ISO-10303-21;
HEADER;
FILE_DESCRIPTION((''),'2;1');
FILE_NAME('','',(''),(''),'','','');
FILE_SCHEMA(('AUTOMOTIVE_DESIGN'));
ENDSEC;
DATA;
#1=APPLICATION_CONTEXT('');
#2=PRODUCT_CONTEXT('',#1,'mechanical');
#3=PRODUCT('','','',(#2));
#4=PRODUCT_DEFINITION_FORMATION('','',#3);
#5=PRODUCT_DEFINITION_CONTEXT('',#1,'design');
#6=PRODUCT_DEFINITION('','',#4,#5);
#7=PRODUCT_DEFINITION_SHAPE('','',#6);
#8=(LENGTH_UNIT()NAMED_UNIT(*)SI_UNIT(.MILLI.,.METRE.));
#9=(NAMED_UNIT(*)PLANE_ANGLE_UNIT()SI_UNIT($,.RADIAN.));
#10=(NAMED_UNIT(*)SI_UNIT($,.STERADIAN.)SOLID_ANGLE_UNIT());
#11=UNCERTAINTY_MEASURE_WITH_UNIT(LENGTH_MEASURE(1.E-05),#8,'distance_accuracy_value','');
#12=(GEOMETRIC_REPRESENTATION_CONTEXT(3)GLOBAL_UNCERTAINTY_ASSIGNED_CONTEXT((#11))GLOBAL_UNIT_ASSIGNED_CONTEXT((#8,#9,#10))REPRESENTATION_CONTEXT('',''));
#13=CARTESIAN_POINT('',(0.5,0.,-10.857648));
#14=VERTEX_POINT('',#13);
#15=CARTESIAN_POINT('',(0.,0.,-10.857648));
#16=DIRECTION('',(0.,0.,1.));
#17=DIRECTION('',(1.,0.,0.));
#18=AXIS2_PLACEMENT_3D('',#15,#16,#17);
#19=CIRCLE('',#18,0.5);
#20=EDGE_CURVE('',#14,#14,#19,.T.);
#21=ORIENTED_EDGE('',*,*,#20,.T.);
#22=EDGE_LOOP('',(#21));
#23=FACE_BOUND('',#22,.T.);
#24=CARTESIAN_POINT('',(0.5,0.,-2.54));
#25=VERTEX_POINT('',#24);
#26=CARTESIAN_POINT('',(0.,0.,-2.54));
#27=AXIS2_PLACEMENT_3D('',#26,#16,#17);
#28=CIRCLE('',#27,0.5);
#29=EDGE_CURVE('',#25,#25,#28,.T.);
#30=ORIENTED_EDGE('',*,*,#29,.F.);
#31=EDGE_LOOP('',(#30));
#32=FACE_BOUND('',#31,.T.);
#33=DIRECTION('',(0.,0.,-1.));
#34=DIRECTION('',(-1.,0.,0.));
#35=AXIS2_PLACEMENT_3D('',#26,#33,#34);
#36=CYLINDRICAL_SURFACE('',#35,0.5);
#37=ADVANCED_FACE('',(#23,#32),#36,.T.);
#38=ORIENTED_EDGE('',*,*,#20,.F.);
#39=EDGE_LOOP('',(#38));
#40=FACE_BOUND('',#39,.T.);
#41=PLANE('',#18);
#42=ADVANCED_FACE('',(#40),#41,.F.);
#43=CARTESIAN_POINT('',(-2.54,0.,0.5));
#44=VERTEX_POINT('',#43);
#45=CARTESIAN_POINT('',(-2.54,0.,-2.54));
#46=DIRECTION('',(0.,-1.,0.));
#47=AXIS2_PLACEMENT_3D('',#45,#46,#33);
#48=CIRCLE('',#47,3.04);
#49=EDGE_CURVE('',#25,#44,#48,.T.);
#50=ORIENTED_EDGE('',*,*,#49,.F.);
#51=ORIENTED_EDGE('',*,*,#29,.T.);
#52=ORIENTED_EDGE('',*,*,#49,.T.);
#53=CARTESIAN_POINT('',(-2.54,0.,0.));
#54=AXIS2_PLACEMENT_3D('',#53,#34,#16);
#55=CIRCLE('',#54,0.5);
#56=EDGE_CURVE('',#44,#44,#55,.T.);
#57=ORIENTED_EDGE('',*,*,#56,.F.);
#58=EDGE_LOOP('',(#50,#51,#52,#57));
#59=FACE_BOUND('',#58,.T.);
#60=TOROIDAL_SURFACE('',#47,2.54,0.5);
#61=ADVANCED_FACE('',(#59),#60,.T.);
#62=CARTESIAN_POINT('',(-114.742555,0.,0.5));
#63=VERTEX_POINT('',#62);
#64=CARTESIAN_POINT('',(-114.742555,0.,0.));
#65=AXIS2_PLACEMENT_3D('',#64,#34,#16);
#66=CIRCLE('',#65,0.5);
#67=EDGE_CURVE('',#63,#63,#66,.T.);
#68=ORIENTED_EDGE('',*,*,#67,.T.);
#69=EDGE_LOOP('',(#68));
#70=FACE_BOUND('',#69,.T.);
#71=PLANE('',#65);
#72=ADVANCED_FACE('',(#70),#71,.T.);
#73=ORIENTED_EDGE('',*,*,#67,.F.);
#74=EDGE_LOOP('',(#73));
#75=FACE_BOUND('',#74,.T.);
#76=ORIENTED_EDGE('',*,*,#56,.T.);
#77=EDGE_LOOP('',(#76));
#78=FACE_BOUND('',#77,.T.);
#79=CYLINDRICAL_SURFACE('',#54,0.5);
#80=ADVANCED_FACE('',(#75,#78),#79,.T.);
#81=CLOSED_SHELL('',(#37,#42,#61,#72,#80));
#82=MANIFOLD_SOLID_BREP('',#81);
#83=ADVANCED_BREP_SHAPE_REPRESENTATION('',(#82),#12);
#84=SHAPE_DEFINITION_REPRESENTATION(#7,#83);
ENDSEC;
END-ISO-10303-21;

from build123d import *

# Parameters (mm, degrees)
SKETCH3_R = 0.5


with BuildPart() as part:
    # Sweep1: sweep along a path in Sketch1
    with BuildLine(Plane(origin=(0, 0, 0), x_dir=(1, 0, 0), z_dir=(0, 1, 0))) as sweep1_path:
        Line((0, 10.857648334), (0, 2.54))
        ThreePointArc((0, 2.54), (-0.743948776, 0.743948776), (-2.54, 0))
        Line((-2.54, 0), (-114.742555238, 0))
    # Sketch3 → Sweep1 (sweep)
    with BuildSketch(Plane.XY.offset(-10.857648334)):
        Circle(SKETCH3_R)
    sweep(path=sweep1_path.line)


solid = part.part
